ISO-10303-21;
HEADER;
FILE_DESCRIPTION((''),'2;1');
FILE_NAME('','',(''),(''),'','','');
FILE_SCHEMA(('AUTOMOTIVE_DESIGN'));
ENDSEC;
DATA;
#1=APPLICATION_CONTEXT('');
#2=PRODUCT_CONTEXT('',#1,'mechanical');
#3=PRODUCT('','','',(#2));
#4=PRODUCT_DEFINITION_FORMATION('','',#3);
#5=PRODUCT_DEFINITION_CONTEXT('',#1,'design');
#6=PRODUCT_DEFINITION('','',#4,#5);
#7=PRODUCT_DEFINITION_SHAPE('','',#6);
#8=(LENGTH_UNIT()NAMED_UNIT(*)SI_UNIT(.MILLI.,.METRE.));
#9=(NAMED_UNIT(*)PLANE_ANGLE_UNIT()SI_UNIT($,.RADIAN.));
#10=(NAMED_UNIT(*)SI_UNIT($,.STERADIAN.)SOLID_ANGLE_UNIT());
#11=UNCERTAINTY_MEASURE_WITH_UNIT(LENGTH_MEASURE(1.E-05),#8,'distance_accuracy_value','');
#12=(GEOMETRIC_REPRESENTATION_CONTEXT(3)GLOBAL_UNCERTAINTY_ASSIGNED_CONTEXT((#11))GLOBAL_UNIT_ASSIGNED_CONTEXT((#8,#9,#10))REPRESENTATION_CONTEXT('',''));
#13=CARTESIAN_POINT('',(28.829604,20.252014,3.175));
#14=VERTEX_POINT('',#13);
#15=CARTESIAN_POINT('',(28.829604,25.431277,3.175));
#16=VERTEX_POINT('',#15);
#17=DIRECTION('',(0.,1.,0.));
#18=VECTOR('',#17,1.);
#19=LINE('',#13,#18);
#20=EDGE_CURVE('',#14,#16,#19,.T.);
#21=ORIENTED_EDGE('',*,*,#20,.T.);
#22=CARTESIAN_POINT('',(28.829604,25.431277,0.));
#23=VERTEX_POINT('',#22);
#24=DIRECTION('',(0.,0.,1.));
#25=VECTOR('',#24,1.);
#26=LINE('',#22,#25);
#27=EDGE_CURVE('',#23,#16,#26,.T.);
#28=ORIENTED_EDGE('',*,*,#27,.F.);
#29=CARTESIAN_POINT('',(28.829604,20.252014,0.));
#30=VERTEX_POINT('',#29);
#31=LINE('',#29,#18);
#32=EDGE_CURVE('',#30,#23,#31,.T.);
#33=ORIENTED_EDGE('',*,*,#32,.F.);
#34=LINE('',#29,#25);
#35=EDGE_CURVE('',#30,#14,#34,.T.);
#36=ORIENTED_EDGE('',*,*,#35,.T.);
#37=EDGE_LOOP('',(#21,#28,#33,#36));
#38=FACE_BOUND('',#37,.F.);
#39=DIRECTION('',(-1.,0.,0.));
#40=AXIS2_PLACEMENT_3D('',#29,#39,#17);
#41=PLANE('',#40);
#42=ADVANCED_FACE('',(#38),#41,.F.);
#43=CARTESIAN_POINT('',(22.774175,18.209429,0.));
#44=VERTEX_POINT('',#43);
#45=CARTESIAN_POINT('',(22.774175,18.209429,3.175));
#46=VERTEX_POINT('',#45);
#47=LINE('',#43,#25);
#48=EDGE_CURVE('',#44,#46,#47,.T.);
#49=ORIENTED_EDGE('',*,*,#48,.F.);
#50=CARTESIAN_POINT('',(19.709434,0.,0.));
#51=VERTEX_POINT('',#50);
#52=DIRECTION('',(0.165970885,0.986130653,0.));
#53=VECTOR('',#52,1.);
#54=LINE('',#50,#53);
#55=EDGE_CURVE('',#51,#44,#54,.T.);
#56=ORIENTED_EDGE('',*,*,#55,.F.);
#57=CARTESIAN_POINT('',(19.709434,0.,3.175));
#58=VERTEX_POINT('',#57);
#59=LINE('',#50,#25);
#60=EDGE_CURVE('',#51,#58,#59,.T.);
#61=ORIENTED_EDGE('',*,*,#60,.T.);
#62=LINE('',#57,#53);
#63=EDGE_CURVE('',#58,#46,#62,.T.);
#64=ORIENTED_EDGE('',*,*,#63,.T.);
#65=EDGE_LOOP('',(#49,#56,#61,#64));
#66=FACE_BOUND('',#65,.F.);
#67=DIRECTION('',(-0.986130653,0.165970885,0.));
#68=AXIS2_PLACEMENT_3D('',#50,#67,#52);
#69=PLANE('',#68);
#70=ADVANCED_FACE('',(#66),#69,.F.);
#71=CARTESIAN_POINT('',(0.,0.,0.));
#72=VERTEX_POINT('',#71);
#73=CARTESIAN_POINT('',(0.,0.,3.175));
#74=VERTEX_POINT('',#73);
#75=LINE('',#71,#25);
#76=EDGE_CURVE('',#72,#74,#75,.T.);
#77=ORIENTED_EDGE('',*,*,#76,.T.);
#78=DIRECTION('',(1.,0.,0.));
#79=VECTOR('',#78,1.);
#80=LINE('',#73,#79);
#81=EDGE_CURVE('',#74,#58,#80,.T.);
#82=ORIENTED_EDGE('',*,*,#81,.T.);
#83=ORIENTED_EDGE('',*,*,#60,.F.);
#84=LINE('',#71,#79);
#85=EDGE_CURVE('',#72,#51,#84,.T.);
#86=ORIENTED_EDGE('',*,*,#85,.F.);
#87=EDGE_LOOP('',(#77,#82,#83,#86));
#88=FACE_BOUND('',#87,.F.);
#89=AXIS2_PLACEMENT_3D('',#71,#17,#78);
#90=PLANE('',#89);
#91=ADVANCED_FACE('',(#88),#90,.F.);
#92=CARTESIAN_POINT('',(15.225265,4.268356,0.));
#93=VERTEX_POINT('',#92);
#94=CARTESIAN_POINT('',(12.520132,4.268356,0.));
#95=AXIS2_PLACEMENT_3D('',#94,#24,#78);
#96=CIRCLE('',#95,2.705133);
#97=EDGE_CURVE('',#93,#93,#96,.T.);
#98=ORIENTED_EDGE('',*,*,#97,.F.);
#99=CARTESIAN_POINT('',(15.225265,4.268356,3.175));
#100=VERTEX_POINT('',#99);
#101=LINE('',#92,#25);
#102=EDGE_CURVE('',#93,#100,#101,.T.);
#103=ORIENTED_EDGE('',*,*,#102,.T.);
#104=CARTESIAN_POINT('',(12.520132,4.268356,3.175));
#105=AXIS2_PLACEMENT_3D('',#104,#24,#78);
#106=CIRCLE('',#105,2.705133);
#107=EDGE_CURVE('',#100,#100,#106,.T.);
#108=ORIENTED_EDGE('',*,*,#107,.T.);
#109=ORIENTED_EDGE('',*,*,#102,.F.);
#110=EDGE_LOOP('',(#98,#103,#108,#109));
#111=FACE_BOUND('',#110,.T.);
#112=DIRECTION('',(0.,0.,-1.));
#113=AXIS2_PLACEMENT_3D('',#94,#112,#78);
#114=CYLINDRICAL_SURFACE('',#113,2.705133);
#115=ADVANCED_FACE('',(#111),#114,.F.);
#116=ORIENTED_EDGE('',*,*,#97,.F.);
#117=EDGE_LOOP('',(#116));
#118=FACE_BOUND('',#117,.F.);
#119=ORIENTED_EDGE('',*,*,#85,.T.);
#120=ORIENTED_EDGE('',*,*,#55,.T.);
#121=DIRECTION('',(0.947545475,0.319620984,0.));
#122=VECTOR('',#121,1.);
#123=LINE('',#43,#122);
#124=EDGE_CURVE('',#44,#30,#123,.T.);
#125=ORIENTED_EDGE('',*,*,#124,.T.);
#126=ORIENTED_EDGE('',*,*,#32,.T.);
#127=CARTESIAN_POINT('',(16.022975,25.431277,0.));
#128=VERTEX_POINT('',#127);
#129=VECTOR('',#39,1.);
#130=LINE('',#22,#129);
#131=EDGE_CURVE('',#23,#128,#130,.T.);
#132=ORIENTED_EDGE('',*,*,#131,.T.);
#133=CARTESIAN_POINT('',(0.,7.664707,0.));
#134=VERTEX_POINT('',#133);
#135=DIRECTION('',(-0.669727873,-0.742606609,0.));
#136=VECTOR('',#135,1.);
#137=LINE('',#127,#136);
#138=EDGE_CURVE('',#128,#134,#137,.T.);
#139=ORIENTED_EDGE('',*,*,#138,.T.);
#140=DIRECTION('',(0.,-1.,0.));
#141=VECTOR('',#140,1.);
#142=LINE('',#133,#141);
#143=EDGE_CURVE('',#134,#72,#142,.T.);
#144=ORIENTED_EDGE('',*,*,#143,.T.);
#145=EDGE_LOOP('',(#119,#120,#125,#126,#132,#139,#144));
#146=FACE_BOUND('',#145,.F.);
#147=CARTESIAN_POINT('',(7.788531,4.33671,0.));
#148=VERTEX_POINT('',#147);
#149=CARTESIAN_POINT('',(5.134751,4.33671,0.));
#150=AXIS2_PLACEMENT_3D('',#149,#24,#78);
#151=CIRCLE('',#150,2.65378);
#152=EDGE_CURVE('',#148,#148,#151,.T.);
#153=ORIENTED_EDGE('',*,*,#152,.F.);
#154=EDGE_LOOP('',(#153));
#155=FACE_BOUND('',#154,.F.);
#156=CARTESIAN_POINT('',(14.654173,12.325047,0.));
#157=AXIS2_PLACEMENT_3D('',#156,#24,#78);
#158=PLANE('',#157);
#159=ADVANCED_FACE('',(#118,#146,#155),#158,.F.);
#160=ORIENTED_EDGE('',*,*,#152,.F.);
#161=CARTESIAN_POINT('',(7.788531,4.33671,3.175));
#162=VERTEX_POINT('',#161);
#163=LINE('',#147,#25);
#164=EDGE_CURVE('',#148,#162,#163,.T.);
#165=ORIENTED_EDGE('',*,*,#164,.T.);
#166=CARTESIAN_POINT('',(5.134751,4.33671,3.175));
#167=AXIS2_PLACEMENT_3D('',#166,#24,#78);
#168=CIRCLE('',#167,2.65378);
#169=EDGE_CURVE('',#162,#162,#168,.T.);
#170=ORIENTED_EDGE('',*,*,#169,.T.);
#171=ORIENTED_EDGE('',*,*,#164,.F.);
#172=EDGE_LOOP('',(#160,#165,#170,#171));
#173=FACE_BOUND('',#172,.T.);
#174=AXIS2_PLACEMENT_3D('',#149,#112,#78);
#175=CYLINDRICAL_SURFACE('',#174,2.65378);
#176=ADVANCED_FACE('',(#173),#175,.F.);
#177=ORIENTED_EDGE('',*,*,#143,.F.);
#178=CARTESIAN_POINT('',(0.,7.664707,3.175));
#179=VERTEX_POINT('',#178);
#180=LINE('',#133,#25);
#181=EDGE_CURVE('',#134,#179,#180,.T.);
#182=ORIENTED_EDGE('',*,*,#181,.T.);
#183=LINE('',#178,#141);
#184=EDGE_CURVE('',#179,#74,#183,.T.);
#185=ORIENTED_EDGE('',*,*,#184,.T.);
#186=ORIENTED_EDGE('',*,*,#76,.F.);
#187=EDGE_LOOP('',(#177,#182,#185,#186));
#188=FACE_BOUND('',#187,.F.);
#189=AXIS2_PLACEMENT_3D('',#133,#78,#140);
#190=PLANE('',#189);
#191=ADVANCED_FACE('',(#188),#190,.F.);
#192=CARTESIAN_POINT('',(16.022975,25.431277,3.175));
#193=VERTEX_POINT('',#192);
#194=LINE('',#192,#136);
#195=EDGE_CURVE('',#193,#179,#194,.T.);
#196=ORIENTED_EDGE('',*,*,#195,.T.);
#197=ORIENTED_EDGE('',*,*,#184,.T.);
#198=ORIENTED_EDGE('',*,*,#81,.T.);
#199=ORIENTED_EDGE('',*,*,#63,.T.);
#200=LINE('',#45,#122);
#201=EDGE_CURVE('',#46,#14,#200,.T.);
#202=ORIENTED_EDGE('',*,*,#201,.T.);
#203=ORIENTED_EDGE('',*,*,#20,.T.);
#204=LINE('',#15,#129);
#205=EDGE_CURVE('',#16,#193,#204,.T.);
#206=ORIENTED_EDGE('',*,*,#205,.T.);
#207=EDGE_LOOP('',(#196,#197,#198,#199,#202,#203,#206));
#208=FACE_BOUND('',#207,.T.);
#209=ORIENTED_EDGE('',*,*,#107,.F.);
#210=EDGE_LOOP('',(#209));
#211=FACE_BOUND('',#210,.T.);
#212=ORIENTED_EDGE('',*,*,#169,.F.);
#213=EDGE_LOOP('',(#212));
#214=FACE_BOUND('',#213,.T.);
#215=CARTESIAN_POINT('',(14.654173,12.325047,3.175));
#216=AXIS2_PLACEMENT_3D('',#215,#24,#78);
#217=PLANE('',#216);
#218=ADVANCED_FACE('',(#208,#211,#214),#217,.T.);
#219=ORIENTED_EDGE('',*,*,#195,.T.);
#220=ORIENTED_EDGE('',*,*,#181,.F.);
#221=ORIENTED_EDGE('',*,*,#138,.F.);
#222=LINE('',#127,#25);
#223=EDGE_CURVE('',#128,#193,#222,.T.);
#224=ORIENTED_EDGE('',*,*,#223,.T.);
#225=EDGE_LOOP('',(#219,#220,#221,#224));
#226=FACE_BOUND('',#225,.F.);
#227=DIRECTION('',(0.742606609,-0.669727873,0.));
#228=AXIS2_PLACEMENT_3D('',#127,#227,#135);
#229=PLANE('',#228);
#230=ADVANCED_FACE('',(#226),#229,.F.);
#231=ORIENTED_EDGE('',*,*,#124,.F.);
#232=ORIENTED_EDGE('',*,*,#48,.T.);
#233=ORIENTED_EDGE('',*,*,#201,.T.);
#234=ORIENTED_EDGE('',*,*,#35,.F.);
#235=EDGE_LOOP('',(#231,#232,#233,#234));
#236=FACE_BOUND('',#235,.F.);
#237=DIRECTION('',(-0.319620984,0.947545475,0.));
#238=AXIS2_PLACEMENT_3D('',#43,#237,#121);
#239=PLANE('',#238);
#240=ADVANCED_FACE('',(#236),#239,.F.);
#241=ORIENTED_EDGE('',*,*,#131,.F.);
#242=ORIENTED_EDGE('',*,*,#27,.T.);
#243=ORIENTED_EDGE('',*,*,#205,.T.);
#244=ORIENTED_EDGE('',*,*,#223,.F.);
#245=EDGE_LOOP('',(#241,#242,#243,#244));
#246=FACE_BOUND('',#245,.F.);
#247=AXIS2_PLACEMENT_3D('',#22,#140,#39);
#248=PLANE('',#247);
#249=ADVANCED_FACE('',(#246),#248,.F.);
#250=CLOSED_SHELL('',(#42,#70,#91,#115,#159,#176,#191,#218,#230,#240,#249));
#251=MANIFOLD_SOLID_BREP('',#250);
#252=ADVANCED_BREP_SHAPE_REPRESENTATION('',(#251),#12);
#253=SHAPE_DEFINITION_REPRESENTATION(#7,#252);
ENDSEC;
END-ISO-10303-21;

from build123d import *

# Parameters (mm, degrees)
F0_R     = 2.65378
F0_R_2   = 2.705133
F1_DEPTH = 3.175


with BuildPart() as f1:
    # F0 (on Top) → F1 (new body)
    with BuildSketch(Plane.XY):
        Polygon((0, 7.664707), (0, 0), (19.709434, 0), (22.774175, 18.209429), (28.829604, 20.252014), (28.829604, 25.431277), (16.022975, 25.431277), align=None)
        with Locations((5.134751, 4.33671)):
            Circle(F0_R, mode=Mode.SUBTRACT)
        with Locations((12.520132, 4.268356)):
            Circle(F0_R_2, mode=Mode.SUBTRACT)
    extrude(amount=F1_DEPTH)


solid = f1.part
